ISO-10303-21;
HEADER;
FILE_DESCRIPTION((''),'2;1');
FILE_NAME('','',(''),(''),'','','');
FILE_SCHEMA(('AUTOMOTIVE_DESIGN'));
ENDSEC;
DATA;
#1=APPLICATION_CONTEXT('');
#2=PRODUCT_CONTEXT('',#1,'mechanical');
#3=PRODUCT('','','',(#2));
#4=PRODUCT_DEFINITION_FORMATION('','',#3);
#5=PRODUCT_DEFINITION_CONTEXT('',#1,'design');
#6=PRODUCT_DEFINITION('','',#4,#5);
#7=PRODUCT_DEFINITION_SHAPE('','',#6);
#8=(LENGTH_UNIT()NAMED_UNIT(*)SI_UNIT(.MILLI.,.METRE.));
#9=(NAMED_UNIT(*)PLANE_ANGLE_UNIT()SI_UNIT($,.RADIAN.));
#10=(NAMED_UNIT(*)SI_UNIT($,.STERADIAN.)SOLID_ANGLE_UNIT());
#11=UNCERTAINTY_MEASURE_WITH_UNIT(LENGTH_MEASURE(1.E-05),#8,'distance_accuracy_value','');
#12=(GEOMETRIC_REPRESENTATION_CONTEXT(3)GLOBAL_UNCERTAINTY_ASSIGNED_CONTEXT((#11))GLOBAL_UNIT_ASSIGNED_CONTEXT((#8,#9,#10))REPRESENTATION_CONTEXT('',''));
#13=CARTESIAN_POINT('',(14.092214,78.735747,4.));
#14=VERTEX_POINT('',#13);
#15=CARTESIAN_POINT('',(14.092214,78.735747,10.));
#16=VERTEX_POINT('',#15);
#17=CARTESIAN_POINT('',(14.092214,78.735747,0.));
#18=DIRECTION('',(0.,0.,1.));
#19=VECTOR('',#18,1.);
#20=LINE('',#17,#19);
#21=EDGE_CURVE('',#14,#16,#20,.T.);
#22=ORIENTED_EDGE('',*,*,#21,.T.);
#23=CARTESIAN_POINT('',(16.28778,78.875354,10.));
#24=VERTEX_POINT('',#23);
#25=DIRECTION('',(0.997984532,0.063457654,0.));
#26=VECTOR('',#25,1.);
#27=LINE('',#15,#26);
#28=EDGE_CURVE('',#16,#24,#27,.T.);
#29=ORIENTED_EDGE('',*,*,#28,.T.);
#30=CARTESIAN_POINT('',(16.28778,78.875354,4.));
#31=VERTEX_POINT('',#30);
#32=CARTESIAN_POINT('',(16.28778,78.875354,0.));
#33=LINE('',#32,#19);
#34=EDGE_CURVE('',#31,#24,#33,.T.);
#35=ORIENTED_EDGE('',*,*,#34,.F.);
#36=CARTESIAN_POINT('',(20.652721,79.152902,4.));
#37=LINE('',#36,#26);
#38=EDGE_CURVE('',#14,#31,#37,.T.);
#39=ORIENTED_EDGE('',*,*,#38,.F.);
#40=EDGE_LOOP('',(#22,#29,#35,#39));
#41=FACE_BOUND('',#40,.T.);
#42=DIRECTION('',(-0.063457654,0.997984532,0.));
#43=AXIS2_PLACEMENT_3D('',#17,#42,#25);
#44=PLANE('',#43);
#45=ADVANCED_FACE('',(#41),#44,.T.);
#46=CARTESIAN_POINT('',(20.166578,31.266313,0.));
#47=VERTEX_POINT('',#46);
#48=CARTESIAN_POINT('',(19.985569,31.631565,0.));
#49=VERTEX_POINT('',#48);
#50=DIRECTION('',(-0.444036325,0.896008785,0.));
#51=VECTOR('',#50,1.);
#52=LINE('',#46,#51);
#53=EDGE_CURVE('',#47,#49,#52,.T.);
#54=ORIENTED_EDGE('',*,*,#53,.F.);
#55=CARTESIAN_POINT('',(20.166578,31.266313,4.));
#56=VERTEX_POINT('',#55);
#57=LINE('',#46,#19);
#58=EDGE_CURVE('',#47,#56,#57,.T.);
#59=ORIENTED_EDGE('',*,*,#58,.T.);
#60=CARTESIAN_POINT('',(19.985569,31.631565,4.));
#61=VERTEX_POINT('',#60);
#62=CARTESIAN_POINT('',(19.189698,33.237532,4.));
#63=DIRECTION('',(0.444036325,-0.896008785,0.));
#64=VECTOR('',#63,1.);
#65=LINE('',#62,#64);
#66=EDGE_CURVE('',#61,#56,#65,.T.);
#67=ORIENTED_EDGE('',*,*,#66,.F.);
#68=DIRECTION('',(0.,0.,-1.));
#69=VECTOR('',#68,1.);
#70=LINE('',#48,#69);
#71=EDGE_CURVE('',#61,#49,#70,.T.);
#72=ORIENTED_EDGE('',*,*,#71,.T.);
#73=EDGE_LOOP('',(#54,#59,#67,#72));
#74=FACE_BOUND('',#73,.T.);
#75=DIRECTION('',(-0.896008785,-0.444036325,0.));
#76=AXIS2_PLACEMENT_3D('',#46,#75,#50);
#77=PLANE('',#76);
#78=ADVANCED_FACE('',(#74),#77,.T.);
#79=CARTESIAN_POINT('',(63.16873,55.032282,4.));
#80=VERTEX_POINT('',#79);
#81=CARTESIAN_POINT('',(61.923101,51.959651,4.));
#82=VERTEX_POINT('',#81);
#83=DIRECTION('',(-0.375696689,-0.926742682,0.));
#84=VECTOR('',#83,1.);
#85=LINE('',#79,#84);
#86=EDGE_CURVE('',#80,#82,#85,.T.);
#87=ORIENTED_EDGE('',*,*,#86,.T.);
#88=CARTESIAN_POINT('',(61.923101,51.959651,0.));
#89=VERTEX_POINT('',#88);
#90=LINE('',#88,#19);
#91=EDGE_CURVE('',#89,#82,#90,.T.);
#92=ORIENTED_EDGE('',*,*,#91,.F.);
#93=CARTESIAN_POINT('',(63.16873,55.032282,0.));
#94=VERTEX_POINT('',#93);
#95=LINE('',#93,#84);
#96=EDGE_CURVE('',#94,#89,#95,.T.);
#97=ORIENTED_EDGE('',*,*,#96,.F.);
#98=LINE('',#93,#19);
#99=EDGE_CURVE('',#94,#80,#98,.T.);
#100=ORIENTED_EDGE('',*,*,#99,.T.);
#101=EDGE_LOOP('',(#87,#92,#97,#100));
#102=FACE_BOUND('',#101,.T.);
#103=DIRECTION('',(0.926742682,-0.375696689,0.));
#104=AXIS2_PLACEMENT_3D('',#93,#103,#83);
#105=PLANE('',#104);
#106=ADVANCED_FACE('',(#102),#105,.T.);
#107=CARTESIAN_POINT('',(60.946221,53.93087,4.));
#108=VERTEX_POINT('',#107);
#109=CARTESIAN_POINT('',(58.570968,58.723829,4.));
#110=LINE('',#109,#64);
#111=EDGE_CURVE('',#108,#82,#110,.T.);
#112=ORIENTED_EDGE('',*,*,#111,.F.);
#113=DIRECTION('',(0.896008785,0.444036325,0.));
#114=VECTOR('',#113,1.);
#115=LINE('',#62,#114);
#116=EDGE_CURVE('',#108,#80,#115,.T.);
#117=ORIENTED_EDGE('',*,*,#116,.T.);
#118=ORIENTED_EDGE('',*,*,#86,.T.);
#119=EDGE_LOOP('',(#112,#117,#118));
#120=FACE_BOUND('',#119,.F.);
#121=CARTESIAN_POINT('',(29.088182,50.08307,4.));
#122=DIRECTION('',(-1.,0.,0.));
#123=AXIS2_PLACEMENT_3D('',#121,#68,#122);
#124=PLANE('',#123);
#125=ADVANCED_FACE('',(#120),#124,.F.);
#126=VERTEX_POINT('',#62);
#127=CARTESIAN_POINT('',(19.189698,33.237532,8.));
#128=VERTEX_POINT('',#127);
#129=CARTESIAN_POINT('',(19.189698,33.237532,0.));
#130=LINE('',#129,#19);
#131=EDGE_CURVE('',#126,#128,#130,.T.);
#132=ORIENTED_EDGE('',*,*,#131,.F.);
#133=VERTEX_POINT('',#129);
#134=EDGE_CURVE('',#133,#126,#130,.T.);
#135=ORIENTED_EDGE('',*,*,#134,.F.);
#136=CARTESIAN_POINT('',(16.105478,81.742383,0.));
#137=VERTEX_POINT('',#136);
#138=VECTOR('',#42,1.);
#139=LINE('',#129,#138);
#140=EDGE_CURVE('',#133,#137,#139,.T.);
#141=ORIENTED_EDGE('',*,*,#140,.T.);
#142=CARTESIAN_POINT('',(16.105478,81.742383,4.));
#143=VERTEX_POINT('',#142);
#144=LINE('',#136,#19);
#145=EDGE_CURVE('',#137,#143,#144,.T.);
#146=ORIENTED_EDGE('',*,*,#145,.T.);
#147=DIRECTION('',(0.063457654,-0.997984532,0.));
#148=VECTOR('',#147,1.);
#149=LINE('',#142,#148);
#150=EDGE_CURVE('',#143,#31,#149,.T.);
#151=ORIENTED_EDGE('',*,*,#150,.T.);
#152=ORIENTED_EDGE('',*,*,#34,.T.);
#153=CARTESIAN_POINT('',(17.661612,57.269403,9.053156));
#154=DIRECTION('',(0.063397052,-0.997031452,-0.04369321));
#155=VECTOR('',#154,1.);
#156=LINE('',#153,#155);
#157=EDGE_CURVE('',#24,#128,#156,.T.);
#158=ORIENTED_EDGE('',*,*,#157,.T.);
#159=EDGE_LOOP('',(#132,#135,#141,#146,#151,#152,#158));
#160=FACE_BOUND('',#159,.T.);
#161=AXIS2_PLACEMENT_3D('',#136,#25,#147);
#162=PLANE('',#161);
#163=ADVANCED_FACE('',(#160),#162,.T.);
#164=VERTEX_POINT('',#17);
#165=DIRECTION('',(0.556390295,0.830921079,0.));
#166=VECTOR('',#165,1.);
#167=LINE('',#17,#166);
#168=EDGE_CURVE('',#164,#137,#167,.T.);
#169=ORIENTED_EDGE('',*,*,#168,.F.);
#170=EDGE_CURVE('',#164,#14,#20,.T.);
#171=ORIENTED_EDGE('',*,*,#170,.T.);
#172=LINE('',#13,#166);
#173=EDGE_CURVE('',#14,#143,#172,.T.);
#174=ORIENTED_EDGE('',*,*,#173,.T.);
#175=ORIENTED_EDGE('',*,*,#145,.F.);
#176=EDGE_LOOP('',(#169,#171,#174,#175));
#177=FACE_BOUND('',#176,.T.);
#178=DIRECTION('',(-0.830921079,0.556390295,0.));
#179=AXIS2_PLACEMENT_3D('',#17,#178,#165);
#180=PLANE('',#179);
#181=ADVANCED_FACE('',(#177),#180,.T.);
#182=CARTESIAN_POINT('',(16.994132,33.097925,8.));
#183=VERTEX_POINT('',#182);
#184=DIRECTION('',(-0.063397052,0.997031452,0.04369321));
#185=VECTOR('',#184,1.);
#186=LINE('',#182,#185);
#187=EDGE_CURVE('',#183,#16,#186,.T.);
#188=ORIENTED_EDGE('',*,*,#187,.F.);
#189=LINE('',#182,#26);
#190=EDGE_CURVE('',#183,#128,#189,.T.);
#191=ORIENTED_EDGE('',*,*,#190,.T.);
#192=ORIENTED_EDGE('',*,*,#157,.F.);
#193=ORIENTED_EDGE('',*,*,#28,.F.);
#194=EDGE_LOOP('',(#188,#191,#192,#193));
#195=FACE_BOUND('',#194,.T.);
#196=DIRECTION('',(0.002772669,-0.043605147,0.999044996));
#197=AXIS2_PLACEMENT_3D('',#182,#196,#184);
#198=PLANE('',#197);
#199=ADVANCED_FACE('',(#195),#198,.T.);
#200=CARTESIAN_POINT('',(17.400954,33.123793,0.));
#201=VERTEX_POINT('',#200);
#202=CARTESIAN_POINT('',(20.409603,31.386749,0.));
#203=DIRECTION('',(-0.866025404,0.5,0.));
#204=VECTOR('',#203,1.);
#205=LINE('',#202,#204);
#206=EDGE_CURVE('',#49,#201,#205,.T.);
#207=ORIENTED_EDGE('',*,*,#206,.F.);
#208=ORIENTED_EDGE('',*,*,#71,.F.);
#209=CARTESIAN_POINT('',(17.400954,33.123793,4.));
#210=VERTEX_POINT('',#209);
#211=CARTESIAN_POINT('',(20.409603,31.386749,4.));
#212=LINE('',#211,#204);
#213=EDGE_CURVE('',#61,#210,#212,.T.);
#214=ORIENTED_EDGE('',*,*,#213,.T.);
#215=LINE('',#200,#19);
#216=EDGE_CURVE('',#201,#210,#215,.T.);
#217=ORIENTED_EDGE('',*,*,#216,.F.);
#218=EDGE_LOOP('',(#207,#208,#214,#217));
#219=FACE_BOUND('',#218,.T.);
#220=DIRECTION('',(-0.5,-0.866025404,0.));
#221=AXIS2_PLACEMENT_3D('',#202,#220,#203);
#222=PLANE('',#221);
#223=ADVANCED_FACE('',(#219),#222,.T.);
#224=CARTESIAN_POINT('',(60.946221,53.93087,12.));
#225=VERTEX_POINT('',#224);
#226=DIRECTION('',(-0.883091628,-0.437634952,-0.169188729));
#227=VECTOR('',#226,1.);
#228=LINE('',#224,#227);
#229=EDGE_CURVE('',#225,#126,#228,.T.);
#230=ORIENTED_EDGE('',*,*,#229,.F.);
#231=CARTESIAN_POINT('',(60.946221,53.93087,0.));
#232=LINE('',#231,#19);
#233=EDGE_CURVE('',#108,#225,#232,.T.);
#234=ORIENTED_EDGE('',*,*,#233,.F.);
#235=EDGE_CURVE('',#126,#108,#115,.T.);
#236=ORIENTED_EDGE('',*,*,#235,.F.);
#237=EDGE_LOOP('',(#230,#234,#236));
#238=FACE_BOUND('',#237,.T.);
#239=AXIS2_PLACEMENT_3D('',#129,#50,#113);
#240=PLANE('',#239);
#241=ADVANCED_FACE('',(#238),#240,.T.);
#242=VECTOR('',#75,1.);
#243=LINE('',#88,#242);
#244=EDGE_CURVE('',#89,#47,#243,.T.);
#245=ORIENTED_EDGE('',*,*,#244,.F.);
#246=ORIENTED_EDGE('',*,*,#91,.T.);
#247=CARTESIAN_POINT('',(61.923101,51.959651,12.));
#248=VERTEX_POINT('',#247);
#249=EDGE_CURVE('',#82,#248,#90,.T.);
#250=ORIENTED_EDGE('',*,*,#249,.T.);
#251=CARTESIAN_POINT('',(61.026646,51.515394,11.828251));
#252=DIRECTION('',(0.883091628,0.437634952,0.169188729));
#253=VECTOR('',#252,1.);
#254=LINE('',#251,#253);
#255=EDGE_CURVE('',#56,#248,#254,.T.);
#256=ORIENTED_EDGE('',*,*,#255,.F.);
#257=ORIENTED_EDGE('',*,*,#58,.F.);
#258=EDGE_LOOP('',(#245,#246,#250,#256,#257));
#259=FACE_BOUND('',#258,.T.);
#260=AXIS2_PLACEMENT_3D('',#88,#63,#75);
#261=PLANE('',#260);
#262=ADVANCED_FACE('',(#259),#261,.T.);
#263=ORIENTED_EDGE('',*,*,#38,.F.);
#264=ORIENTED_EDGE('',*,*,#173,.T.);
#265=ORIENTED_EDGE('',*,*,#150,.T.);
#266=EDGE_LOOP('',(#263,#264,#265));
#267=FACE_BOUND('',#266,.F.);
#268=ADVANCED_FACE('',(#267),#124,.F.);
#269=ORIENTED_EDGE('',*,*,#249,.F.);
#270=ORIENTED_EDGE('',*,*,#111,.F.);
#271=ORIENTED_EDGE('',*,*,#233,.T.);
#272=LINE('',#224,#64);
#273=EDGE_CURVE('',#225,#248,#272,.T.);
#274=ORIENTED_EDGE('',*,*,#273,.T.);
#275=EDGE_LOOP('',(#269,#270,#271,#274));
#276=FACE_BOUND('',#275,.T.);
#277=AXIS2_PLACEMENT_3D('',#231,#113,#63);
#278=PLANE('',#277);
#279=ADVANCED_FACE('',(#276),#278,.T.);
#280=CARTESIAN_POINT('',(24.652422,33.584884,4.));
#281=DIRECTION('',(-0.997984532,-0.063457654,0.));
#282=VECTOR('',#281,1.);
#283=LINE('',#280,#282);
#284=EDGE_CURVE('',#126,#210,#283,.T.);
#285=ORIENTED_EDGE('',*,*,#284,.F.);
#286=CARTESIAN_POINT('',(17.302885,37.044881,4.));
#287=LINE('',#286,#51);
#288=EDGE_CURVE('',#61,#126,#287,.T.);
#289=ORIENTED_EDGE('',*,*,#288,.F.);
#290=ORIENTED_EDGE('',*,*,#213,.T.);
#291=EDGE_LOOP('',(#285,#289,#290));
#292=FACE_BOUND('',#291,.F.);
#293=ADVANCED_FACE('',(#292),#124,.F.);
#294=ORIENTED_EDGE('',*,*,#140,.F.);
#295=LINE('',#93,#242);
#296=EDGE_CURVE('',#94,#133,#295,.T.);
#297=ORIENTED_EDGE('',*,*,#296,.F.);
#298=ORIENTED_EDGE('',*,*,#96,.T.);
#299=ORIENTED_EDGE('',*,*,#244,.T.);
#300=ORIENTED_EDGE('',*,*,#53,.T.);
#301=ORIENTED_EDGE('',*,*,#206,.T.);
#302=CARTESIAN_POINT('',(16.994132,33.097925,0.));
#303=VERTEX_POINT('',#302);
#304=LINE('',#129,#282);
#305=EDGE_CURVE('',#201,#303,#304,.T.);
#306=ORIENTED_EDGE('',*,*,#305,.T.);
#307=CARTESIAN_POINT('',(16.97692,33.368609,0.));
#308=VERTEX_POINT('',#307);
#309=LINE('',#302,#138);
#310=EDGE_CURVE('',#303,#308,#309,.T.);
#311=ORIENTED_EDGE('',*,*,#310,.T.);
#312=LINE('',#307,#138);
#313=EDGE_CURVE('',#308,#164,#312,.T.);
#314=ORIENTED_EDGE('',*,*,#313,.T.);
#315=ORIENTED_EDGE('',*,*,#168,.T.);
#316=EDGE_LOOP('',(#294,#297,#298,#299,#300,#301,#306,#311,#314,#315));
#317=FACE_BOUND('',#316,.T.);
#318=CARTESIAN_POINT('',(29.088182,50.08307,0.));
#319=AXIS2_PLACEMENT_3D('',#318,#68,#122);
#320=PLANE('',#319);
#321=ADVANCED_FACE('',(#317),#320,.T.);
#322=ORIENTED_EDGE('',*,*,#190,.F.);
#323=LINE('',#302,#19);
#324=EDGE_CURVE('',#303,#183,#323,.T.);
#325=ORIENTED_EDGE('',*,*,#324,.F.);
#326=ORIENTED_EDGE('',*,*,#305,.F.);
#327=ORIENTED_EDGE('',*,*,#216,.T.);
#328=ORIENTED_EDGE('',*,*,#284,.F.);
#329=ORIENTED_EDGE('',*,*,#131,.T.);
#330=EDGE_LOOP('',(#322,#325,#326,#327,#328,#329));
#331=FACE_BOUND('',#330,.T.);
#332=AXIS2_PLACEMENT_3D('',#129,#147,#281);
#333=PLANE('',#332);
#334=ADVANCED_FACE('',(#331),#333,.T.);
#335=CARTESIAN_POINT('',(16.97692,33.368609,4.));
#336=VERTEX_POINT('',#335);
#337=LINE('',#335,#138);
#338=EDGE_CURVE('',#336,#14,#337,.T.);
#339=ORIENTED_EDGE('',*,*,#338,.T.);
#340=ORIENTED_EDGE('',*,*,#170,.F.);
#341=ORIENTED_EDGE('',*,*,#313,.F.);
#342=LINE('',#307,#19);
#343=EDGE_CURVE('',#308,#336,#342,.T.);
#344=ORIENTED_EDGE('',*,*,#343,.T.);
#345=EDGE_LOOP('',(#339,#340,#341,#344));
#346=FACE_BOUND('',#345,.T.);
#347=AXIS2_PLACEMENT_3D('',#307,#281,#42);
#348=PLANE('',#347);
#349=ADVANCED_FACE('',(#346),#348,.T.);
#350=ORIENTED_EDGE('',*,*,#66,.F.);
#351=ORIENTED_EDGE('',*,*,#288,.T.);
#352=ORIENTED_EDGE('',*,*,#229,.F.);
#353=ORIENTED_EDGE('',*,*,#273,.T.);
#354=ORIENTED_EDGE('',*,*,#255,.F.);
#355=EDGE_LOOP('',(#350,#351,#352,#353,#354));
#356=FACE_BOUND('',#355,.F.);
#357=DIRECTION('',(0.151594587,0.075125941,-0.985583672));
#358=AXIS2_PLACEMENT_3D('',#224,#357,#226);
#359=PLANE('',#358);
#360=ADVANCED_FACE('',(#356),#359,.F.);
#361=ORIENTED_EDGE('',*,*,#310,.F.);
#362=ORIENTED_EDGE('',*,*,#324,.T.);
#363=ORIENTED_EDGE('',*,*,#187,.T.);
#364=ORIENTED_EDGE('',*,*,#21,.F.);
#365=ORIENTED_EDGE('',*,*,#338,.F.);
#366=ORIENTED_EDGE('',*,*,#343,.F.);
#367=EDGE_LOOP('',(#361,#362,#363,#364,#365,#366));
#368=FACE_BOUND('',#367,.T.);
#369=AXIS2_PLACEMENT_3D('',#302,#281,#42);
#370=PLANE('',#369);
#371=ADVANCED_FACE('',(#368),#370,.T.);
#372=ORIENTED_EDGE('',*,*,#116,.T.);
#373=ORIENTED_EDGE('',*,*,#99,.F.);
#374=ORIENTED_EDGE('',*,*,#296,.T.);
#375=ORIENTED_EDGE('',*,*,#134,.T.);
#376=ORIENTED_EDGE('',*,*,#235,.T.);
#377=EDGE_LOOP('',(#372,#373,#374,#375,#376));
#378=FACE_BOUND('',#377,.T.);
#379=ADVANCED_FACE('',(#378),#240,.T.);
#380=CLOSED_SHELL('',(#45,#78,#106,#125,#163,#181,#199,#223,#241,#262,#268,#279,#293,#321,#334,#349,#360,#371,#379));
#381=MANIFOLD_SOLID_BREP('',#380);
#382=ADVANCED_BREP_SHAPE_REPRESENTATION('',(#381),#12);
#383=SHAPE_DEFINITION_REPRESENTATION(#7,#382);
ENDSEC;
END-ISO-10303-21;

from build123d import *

# Parameters (mm, degrees)
PAD001_DEPTH    = 4
PAD_DEPTH       = 12
POCKET_DEPTH    = 5
PAD002_DEPTH    = 10
POCKET001_DEPTH = 5


with BuildPart() as part:
    # Sketch → Pad001 (new body)
    with BuildSketch(Plane.XY):
        Polygon((19.1896980533, 33.2375320102), (63.1687295291, 55.0322820836), (61.9231008029, 51.9596510451), (20.4096030829, 31.3867489797), (16.9769204172, 33.3686092408), (14.0922142472, 78.735746785), (16.1054778399, 81.7423829), align=None)
    extrude(amount=PAD001_DEPTH)

    # Sketch001 → Pad (join)
    with BuildSketch(Plane.XY):
        Polygon((19.1896980533, 33.2375320102), (60.9462208875, 53.930870371), (61.9231008029, 51.9596510451), (20.1665779687, 31.2663126843), align=None)
    extrude(amount=PAD_DEPTH)

    # Sketch003 (on Face10 of Pad) → Pocket (cut)
    with BuildSketch(Plane(origin=(-9.4403000379, 19.049323856, 0), x_dir=(-0.8960087845, -0.4440363252, 0), z_dir=(-0.4440363252, 0.8960087845, 0))):
        Polygon((-78.5556147914, 12), (-31.9528096, 4), (-31.9528096, 12), align=None)
    extrude(amount=-POCKET_DEPTH, mode=Mode.SUBTRACT)

    # Sketch004 → Pad002 (join)
    with BuildSketch(Plane.XY):
        Polygon((16.2877802175, 78.8753536248), (19.1896980533, 33.2375320102), (16.9941320829, 33.0979251705), (14.0922142472, 78.735746785), align=None)
    extrude(amount=PAD002_DEPTH)

    # Sketch005 (on Face2 of Pad002) → Pocket001 (cut)
    with BuildSketch(Plane(origin=(19.0217824328, 1.209515436, 0), x_dir=(0.0634576544, -0.997984532, 0), z_dir=(-0.997984532, -0.0634576544, 0))):
        Polygon((-31.9528096, 10), (-31.9528096, 8), (-77.6827985443, 10), align=None)
    extrude(amount=-POCKET001_DEPTH, mode=Mode.SUBTRACT)


solid = part.part
